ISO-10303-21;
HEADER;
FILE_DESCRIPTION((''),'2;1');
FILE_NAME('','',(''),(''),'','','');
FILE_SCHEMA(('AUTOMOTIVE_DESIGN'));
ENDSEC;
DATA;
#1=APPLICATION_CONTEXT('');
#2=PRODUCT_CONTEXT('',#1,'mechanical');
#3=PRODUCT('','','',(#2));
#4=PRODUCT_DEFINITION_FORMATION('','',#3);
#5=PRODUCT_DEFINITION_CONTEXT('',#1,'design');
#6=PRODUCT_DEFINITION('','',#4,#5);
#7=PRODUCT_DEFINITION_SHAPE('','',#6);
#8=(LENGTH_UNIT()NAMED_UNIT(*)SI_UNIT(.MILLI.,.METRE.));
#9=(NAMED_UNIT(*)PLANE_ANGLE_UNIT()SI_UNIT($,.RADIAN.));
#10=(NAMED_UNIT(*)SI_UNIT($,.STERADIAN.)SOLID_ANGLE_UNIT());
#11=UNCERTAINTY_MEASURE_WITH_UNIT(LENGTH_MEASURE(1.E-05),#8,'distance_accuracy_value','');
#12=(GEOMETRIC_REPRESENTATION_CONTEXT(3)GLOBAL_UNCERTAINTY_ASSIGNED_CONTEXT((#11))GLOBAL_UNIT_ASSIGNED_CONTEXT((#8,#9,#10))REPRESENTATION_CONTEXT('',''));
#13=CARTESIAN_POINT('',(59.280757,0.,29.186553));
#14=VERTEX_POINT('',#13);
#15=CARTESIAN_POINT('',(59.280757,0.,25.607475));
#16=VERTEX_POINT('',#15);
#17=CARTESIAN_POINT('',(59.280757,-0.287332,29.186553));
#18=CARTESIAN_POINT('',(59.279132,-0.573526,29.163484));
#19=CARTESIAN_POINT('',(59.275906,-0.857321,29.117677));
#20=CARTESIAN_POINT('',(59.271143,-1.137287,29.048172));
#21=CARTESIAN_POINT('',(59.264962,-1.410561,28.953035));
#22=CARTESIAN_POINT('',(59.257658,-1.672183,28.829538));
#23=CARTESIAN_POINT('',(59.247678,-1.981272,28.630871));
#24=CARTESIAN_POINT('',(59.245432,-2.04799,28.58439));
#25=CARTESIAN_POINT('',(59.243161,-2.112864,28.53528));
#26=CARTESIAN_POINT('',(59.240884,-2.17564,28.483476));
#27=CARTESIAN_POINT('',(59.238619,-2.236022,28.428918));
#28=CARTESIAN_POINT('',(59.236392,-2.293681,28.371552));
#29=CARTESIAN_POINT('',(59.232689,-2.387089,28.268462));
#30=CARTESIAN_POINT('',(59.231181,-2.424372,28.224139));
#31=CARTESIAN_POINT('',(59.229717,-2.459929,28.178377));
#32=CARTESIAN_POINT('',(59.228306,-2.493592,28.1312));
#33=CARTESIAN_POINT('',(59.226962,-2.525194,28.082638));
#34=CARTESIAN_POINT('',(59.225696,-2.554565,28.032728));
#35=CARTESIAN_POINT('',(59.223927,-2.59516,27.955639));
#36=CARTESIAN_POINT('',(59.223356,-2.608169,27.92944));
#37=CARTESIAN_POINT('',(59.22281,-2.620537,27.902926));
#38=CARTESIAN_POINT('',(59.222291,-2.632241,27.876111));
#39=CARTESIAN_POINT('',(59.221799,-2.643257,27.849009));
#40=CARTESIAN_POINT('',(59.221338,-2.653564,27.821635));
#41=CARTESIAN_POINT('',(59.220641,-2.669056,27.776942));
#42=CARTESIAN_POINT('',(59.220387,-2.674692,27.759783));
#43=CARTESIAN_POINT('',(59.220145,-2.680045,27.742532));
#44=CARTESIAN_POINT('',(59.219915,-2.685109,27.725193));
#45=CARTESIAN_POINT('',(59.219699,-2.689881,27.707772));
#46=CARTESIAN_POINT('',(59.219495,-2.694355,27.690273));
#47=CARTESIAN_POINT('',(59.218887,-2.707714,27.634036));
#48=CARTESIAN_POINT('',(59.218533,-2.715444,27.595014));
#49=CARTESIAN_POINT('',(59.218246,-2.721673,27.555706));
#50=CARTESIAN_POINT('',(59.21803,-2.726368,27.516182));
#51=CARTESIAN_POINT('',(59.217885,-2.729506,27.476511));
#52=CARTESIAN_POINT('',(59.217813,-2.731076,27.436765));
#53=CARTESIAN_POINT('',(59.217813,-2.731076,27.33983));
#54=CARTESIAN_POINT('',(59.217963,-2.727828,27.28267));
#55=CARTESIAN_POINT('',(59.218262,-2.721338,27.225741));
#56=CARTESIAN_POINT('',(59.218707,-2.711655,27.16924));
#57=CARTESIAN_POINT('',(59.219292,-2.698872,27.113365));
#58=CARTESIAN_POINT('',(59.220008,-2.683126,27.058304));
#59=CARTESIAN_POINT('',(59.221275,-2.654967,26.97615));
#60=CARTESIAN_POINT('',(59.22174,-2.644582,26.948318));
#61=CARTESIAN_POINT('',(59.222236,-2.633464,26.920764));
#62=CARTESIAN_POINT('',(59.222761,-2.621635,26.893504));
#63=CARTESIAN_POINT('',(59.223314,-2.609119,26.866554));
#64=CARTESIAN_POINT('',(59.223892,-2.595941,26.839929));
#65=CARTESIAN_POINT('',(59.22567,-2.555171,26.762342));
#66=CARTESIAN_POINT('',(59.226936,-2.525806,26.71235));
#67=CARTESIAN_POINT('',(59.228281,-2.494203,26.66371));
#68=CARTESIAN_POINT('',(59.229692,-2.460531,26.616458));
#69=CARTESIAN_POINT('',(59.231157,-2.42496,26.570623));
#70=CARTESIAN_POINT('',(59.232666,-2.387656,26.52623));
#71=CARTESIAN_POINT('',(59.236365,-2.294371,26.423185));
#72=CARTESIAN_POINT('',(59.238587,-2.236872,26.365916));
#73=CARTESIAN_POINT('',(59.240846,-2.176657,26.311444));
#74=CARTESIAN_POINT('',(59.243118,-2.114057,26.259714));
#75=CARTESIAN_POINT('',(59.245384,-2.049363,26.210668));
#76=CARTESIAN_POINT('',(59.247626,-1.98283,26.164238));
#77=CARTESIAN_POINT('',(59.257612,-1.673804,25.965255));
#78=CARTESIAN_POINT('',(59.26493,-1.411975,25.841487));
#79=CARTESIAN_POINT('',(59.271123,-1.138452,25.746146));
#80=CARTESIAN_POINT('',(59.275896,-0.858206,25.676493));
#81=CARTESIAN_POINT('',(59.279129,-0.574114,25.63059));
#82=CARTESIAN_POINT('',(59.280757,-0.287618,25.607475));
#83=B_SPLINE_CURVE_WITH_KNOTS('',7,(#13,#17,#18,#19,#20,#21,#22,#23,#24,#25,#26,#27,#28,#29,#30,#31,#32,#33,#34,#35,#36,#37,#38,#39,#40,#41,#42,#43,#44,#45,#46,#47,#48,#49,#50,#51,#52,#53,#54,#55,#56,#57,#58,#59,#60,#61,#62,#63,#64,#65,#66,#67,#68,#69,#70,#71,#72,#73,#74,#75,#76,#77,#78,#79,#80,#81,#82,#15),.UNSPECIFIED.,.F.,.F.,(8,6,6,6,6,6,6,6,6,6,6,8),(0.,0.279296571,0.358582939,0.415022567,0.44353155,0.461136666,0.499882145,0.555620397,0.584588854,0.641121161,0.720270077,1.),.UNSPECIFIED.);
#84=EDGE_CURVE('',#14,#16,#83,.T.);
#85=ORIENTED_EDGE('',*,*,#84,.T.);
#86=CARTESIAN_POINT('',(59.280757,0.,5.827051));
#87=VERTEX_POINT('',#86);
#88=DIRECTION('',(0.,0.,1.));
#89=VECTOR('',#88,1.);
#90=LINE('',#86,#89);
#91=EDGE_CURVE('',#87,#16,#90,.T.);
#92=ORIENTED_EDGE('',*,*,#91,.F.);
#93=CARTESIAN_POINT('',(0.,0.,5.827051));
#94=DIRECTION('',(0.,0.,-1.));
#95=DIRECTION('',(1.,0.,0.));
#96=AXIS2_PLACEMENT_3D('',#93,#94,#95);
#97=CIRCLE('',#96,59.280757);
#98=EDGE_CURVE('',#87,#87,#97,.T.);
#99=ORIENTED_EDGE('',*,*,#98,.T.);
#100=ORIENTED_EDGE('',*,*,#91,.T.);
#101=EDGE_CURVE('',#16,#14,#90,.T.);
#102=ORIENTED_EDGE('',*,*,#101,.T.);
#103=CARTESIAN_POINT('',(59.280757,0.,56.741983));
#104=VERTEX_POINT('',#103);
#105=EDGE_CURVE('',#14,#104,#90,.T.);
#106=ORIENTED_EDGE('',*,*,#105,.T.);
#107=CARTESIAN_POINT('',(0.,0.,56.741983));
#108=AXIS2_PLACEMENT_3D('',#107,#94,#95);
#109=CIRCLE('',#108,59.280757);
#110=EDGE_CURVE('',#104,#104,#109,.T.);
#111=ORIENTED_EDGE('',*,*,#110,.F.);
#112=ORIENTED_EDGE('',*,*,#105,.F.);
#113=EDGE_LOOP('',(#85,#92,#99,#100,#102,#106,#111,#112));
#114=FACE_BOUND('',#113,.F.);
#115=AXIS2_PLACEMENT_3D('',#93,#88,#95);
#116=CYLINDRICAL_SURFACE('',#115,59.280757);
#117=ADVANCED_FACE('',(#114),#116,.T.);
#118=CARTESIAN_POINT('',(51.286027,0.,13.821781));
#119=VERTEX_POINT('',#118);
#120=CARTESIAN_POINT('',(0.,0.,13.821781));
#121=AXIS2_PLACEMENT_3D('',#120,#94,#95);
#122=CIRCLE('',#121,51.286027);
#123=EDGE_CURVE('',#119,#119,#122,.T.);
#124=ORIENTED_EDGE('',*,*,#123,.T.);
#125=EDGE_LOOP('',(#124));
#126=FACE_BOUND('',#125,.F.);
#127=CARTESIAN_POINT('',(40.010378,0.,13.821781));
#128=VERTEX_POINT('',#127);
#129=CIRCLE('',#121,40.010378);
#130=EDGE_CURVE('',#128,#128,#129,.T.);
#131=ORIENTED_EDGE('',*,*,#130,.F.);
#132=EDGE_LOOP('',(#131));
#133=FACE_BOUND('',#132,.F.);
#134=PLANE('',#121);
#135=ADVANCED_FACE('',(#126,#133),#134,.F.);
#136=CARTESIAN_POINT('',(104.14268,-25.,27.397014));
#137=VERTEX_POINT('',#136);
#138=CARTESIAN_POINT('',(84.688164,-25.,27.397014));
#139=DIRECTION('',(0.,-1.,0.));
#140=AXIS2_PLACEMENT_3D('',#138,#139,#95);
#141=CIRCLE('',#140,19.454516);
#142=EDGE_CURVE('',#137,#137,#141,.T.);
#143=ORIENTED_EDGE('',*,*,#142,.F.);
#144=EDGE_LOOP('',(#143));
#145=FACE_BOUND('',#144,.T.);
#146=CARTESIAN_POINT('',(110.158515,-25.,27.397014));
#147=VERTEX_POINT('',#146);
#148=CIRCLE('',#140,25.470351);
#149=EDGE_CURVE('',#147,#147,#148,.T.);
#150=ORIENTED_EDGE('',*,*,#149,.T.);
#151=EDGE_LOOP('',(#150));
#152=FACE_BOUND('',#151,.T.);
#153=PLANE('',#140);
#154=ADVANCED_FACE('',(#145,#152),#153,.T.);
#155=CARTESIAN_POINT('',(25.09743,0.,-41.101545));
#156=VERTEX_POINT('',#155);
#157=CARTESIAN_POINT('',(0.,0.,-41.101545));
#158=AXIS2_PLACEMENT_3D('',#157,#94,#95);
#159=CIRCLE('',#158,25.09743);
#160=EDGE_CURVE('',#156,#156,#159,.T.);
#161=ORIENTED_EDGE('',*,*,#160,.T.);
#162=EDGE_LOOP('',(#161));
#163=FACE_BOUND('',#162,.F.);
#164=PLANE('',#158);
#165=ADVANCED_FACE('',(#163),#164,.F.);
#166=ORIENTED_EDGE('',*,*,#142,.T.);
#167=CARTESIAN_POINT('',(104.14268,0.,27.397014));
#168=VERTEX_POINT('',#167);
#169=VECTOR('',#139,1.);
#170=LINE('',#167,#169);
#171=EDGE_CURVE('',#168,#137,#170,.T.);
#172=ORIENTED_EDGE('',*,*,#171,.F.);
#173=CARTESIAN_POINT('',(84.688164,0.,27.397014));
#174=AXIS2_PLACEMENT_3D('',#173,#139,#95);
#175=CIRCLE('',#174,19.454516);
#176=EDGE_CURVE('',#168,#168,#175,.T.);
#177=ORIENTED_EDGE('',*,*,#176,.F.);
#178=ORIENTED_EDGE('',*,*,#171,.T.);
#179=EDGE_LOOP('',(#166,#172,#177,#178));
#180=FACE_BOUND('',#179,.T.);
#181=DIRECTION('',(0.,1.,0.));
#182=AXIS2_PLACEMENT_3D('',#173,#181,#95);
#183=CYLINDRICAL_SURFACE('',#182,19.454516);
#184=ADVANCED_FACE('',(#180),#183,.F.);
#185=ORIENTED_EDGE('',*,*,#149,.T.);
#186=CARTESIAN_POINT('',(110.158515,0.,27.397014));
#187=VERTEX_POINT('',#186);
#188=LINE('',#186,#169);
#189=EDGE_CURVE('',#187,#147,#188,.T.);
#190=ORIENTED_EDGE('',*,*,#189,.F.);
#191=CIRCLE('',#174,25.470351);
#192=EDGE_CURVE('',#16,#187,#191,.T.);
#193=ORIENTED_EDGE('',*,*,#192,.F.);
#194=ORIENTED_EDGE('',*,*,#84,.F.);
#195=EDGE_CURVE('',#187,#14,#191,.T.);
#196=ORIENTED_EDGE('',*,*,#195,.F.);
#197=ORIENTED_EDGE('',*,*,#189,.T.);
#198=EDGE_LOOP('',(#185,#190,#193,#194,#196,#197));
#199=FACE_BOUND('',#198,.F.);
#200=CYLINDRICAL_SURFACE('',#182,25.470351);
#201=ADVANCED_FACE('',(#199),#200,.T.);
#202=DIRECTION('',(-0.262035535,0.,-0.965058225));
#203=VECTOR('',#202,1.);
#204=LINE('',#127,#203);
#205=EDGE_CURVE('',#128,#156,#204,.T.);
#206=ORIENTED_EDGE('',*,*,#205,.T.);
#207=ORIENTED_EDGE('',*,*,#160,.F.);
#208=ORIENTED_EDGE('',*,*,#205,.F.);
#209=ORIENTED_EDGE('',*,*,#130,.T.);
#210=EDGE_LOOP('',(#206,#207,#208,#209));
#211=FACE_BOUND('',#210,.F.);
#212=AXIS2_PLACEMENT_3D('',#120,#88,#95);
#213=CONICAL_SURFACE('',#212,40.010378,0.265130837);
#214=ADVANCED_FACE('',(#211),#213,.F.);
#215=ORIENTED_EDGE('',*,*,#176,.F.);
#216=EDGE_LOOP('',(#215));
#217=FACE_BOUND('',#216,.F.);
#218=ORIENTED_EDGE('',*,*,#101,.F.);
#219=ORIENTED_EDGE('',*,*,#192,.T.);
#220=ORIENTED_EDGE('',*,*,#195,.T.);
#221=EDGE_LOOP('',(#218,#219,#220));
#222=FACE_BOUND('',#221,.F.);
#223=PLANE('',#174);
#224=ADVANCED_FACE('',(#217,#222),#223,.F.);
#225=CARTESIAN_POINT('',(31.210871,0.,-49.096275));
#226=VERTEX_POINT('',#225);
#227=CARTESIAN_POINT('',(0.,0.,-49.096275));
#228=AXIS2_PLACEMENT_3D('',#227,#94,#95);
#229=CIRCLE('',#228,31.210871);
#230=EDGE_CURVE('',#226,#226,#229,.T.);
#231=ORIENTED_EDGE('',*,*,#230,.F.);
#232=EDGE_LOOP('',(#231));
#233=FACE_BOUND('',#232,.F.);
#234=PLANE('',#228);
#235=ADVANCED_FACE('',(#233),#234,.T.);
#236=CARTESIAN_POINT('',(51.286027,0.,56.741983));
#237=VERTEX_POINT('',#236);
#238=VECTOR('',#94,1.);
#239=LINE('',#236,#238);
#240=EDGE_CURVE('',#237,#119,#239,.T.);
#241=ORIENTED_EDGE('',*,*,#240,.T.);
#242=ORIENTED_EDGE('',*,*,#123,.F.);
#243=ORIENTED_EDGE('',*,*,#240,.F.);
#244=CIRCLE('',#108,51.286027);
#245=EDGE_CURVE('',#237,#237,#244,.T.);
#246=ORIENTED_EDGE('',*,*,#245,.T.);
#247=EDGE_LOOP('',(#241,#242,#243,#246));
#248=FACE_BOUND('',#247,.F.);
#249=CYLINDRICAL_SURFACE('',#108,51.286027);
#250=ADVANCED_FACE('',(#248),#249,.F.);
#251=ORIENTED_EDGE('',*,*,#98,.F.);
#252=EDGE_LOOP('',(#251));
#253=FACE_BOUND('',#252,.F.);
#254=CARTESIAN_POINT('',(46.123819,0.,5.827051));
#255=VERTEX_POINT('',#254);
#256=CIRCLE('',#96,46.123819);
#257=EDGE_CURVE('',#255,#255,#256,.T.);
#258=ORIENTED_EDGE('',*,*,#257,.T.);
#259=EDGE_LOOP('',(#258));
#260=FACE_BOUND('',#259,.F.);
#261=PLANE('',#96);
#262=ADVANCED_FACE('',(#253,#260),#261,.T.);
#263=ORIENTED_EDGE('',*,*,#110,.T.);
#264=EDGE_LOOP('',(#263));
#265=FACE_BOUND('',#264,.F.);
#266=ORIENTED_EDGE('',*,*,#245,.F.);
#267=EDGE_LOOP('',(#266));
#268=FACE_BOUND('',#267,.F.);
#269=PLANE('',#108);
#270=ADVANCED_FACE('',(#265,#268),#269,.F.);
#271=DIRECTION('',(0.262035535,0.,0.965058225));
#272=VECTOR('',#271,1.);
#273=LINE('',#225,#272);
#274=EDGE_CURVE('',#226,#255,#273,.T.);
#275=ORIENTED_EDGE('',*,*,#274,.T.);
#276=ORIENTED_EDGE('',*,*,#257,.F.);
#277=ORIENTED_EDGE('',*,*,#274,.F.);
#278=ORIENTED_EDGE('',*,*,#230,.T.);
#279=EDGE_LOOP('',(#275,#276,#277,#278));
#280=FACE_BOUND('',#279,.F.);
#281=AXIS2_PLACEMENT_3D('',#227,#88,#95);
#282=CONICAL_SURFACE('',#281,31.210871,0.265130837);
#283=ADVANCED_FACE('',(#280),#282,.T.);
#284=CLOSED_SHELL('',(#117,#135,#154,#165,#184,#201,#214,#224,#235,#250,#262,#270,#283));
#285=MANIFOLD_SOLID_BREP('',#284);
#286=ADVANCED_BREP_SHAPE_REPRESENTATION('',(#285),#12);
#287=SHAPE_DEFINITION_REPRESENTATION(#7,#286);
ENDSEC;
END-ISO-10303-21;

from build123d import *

# Parameters (mm, degrees)
F2_R     = 25.470351
F2_R_2   = 19.454516
F3_DEPTH = 25


with BuildPart() as f1:
    # F0 (on Front) → F1 (revolve)
    with BuildSketch(Plane.XZ):
        Polygon((25.09743, -41.101545), (0, -41.101545), (0, -49.096275), (31.210871, -49.096275), (46.123819, 5.827051), (59.280757, 5.827051), (59.280757, 56.741983), (51.286027, 56.741983), (51.286027, 13.821781), (40.010378, 13.821781), align=None)
    revolve(axis=Axis((0, 0, -45.09891), (0, 0, -1)))

    # F2 (on Front) → F3 (join)
    with BuildSketch(Plane.XZ):
        with Locations((84.688164, 27.397014)):
            Circle(F2_R)
        with Locations((84.688164, 27.397014)):
            Circle(F2_R_2, mode=Mode.SUBTRACT)
    extrude(amount=F3_DEPTH)


solid = f1.part
